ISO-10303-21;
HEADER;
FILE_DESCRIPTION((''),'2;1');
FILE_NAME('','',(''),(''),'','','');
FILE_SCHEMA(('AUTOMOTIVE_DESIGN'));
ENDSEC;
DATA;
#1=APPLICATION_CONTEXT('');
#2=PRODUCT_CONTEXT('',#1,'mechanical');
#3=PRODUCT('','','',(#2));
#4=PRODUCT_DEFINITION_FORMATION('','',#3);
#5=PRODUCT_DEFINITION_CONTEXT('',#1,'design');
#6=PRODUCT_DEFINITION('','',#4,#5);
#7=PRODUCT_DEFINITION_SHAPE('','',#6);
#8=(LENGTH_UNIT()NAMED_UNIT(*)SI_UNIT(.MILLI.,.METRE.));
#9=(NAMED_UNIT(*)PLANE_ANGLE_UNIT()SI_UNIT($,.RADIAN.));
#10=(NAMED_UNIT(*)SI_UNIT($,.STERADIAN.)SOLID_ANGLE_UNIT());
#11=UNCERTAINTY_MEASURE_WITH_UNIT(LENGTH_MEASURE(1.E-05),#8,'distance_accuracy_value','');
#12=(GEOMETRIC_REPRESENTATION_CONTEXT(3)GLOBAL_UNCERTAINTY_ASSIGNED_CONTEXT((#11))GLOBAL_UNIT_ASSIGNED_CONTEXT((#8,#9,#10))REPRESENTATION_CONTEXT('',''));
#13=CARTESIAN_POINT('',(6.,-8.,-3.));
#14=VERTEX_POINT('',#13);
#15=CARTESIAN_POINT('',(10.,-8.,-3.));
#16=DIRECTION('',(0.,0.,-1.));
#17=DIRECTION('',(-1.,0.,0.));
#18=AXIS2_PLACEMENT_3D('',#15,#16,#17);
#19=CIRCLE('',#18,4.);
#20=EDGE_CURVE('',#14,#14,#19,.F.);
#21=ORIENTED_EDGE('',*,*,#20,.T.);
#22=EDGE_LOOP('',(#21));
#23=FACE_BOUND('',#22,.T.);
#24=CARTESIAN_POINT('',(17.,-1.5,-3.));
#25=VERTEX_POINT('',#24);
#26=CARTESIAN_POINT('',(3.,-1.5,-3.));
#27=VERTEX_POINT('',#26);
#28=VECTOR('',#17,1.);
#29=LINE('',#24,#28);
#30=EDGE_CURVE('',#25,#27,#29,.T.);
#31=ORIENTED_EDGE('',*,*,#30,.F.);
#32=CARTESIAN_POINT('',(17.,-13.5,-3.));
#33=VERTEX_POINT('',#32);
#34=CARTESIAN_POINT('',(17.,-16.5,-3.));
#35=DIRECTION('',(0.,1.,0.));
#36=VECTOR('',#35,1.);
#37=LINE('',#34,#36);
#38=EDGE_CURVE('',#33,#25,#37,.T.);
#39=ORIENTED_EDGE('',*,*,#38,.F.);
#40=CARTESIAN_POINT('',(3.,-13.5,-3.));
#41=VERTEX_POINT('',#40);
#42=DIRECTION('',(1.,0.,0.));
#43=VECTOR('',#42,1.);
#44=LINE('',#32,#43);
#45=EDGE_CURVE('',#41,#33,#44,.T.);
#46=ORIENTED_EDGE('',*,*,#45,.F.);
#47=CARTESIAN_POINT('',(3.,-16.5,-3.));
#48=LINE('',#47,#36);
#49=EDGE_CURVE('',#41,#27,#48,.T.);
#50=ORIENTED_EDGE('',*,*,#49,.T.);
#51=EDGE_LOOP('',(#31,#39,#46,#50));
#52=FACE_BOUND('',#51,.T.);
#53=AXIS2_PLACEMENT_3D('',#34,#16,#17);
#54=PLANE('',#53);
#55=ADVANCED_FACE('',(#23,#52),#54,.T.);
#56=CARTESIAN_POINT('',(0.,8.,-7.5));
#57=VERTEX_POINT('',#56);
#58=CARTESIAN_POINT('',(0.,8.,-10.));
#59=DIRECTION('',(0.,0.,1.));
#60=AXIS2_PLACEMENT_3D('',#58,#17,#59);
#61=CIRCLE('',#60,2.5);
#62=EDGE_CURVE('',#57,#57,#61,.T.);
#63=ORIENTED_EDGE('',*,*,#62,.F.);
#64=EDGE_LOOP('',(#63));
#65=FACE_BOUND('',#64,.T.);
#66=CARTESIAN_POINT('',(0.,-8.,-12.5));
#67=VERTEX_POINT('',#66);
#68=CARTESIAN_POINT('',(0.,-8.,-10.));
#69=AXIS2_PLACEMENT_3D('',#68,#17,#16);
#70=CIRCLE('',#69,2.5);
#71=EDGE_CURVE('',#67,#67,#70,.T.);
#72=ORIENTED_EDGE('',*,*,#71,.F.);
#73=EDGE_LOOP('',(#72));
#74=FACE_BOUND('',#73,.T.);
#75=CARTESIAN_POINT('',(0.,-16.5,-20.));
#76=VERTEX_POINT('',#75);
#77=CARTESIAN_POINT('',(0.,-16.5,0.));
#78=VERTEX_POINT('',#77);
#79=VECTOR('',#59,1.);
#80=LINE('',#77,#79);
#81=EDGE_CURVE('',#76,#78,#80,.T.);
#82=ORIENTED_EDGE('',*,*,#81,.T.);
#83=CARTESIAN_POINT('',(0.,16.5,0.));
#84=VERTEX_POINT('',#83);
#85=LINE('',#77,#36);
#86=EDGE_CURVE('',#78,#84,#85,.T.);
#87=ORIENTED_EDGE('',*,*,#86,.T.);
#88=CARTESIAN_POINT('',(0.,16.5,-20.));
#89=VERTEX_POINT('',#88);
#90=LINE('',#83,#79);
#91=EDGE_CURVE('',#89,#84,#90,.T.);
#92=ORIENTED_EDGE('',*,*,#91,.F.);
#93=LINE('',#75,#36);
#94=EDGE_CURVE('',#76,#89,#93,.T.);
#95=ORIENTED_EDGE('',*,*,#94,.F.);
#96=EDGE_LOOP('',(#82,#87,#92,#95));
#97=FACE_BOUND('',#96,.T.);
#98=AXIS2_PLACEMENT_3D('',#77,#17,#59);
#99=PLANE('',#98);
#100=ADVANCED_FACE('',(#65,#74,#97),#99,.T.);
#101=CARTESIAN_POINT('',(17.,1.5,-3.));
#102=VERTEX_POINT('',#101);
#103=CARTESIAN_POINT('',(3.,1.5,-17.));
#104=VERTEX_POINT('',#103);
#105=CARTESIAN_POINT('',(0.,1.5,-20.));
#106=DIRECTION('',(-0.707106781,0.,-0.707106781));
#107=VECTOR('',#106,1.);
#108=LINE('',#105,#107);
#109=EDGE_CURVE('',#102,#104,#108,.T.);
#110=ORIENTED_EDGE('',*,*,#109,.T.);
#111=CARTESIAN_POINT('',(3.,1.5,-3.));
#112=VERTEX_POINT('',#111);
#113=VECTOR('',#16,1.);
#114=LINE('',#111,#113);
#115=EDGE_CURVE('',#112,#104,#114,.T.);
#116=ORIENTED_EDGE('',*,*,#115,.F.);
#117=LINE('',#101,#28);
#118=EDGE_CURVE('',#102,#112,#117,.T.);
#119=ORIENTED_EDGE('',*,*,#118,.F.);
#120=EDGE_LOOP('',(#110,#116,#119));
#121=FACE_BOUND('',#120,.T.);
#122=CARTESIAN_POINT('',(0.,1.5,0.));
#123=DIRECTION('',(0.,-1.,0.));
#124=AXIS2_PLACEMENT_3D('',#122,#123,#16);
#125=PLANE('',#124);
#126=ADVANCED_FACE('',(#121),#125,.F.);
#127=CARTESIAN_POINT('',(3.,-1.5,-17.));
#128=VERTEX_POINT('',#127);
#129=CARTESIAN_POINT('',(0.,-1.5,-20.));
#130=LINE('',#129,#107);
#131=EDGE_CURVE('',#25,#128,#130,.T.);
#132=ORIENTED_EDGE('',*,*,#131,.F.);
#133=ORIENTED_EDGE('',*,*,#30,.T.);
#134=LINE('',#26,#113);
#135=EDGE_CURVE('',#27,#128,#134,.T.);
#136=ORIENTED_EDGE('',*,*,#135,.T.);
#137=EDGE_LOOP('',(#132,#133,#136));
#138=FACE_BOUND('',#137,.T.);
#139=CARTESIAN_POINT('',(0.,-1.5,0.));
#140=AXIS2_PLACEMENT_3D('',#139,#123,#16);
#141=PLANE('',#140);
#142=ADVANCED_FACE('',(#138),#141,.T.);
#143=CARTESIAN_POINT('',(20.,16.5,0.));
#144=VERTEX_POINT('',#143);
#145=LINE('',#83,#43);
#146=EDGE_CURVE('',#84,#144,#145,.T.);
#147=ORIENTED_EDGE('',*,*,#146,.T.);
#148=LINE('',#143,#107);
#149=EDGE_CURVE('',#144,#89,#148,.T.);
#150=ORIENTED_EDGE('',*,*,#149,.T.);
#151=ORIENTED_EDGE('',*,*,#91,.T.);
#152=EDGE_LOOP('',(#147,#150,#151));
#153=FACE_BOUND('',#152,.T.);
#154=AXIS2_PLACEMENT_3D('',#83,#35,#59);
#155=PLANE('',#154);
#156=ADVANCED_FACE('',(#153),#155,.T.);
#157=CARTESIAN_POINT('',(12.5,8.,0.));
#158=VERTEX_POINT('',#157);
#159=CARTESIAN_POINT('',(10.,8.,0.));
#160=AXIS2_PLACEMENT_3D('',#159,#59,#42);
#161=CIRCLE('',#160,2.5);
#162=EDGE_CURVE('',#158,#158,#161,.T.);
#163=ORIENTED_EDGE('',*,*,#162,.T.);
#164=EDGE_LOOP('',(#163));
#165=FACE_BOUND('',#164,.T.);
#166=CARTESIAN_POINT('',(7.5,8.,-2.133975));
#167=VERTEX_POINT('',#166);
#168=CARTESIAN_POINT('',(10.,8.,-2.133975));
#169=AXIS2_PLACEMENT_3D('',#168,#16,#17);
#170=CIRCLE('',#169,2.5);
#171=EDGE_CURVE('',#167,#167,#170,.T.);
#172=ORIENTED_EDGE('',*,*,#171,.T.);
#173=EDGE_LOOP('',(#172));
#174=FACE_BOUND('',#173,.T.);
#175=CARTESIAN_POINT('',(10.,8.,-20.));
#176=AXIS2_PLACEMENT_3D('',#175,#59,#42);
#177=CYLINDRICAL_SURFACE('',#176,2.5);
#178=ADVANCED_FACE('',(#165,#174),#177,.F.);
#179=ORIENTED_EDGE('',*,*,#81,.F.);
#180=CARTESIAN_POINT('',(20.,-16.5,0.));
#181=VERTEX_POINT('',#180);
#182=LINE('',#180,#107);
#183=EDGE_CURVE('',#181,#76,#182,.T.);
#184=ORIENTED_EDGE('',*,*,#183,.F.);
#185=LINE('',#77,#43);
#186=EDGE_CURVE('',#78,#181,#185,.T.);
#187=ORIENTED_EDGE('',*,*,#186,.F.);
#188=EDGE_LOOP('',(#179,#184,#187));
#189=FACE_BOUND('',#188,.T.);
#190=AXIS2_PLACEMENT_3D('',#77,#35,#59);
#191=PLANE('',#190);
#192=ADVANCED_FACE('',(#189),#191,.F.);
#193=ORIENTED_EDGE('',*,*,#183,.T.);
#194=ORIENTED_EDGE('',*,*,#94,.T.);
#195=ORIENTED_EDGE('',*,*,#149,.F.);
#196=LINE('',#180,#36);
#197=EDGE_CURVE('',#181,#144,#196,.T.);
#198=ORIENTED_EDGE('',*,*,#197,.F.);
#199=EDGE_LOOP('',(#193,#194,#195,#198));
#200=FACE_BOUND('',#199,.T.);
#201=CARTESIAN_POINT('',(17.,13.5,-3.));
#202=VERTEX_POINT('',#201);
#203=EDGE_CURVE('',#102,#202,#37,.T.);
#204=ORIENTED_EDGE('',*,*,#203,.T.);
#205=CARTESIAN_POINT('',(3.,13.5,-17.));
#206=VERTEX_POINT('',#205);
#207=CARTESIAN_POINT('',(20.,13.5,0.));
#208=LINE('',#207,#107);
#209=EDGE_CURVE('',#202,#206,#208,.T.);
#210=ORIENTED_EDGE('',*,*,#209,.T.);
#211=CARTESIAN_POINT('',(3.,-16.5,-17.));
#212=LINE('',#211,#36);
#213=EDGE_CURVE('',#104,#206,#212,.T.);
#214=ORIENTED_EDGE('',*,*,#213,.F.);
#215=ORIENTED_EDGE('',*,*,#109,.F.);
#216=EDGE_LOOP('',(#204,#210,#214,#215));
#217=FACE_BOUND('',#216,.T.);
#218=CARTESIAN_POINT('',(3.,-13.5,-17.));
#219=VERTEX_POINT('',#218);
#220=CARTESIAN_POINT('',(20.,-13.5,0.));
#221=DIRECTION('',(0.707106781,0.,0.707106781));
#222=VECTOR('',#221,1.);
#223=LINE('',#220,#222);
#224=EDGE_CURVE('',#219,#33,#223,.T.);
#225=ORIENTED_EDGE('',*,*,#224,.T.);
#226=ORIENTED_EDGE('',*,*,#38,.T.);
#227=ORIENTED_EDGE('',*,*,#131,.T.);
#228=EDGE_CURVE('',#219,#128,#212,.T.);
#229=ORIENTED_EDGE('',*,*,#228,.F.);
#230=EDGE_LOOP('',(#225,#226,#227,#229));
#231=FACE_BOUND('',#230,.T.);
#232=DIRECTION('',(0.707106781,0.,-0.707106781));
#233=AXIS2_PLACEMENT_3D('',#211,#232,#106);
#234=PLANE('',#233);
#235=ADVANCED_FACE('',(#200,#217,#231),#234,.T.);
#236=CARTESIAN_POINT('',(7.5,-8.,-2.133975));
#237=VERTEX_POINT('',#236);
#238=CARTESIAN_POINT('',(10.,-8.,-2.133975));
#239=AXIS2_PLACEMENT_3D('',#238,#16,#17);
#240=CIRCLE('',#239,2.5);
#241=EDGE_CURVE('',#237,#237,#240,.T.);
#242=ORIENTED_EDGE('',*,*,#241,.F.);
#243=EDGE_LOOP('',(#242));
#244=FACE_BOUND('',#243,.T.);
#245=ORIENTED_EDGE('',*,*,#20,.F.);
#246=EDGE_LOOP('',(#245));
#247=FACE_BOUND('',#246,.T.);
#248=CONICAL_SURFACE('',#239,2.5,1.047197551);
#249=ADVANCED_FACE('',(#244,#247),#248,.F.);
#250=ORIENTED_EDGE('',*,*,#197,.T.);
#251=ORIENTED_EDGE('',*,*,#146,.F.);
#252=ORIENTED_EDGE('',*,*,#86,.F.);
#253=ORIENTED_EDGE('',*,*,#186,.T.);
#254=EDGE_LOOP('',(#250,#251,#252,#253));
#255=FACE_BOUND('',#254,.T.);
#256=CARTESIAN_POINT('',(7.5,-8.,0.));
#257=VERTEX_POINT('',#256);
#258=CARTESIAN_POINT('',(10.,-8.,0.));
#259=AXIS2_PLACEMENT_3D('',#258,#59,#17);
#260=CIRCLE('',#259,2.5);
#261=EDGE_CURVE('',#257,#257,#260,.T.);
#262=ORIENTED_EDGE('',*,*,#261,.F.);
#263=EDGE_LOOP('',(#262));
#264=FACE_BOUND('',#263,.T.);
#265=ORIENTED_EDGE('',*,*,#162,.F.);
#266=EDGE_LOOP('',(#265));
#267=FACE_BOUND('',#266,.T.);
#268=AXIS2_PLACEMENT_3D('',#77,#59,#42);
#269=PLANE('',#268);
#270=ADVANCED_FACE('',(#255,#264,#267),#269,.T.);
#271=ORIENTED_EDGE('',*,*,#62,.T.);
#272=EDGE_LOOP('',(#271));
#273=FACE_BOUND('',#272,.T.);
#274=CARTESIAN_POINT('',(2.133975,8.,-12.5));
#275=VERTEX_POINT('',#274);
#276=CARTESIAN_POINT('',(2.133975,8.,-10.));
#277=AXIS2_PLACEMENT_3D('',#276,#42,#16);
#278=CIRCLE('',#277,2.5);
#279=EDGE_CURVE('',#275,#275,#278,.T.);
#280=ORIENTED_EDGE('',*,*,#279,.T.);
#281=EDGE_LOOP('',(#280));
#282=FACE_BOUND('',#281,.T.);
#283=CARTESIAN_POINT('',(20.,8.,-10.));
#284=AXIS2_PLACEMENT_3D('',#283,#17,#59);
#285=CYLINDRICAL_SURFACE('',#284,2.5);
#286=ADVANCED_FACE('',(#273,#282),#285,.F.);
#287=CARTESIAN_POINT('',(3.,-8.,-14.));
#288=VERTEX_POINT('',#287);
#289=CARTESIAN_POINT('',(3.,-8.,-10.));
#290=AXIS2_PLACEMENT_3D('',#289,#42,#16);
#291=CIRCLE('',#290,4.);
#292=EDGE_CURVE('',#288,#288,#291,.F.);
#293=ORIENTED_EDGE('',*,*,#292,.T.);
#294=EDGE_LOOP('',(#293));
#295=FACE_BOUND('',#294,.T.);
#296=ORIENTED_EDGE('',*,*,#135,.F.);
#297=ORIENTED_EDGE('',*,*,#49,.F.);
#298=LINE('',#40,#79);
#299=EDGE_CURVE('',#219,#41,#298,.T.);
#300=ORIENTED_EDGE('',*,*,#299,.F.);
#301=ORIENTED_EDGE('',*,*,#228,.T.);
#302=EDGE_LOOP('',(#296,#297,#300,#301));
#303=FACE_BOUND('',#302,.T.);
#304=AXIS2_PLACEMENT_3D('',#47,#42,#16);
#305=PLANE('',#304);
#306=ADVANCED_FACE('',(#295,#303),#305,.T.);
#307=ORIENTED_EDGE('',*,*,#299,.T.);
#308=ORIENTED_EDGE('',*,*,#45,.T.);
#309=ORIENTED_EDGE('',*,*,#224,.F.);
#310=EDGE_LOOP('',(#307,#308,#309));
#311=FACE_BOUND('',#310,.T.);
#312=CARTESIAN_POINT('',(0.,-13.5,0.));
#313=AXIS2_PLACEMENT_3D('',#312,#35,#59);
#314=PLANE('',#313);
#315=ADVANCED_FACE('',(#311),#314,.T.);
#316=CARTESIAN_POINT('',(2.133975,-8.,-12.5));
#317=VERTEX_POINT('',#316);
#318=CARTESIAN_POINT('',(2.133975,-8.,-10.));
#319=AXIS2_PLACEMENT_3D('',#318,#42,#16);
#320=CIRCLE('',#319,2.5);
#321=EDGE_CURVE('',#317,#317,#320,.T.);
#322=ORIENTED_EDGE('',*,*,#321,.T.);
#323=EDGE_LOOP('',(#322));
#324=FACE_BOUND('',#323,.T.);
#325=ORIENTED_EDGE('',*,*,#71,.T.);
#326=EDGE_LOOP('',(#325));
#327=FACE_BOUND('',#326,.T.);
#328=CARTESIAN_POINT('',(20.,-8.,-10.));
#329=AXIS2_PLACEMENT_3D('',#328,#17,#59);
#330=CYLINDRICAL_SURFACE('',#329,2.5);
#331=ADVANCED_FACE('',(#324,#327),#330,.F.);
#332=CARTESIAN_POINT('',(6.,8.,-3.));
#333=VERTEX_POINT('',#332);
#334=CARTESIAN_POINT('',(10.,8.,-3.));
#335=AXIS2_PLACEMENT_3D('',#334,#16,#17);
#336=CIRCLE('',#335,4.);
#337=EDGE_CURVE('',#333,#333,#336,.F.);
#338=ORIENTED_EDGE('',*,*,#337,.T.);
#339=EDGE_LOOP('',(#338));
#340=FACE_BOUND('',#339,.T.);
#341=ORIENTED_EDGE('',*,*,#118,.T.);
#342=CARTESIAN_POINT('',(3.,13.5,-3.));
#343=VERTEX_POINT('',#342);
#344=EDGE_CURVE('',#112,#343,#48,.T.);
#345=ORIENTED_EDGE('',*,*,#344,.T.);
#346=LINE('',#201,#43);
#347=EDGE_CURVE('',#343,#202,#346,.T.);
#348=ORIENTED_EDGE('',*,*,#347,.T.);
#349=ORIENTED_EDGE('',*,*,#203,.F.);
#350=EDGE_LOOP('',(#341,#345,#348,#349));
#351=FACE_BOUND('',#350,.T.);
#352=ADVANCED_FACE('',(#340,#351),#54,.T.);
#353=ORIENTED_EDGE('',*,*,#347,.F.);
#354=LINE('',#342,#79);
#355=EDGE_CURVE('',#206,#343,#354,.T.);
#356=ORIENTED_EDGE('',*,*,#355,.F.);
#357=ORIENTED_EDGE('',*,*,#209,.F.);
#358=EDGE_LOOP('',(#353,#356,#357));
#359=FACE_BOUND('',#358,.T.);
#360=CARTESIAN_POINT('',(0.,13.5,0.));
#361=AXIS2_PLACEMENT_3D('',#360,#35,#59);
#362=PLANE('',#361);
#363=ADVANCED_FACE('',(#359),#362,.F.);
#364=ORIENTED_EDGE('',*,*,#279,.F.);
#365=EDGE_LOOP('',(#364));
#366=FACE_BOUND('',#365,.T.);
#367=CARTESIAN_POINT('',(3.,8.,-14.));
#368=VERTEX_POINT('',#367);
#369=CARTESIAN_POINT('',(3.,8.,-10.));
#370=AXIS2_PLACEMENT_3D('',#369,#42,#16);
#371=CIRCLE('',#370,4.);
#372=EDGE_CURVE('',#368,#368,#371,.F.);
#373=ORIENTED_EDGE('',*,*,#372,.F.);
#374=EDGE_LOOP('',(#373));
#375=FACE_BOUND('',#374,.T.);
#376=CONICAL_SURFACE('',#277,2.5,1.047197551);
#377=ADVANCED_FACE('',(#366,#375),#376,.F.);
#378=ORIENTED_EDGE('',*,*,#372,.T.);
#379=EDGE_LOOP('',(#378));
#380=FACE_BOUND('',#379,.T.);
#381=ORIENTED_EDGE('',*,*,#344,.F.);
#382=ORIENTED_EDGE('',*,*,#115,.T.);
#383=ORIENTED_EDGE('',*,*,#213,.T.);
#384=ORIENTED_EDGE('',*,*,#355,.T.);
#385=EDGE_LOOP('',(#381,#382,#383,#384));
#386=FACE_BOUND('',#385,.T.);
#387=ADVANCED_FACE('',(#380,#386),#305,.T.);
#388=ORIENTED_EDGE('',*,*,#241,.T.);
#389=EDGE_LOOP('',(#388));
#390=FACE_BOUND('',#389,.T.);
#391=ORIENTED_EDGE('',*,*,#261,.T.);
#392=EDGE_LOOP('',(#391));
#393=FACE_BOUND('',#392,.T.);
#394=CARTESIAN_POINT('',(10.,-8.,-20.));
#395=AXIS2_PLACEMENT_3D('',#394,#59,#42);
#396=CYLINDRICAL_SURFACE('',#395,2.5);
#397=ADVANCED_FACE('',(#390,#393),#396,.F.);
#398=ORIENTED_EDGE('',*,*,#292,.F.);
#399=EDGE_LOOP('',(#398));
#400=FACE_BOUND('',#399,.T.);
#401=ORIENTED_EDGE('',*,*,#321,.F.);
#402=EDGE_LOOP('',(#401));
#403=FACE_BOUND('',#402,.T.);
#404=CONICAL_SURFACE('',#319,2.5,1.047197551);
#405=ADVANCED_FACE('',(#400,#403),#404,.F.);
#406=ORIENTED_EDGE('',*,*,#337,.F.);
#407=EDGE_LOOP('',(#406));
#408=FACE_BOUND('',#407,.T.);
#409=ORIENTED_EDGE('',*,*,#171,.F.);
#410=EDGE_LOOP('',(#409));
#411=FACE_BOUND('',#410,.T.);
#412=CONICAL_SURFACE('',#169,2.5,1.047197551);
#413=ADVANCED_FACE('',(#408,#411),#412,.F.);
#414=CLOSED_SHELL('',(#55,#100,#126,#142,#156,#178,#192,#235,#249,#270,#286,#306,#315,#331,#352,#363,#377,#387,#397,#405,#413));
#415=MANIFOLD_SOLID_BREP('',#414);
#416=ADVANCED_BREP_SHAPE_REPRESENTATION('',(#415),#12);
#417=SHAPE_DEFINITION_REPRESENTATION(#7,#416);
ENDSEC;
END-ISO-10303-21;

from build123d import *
from OCP.BRepFilletAPI import BRepFilletAPI_MakeChamfer

# Parameters (mm, degrees)
EXTRUDE_1_DEPTH      = 16.5
EXTRUDE_1_DEPTH_BACK = 16.5
EXTRUDE_2_DEPTH      = 3
EXTRUDE_3_DEPTH      = 3
EXTRUDE_4_DEPTH      = 1.5
EXTRUDE_4_DEPTH_BACK = 1.5
SKETCH_5_R           = 2.5
CUT_EXTRUDE_1_DEPTH  = 33.74522866
SKETCH_6_R           = 2.5
CUT_EXTRUDE_2_DEPTH  = 33.74522866
CHAMFER_1_SIZE       = 1.5
CHAMFER_1_SIZE2      = 0.866025404


with BuildPart() as part:
    # Эскиз1 → Бобышка-Вытянуть1 (new, two sides: drawn at the far end of the back side and taken through both)
    with BuildSketch(Plane(origin=(0, 0, 0), x_dir=(1, 0, 0), z_dir=(0, 1, 0)).offset(-EXTRUDE_1_DEPTH_BACK)):
        Polygon((0, 0), (0, 20), (3, 17), (3, 3), (17, 3), (20, 0), align=None)
    extrude(amount=EXTRUDE_1_DEPTH + EXTRUDE_1_DEPTH_BACK)

    # Эскиз2 → Бобышка-Вытянуть2 (add)
    with BuildSketch(Plane(origin=(0, 16.5, 0), x_dir=(1, 0, 0), z_dir=(0, 1, 0))):
        Polygon((0, 20), (0, 0), (20, 0), align=None)
    extrude(amount=-EXTRUDE_2_DEPTH)

    # Эскиз3 → Бобышка-Вытянуть3 (add)
    with BuildSketch(Plane(origin=(0, -16.5, 0), x_dir=(-1, 0, 0), z_dir=(0, -1, 0))):
        Polygon((0, 0), (-20, 0), (0, 20), align=None)
    extrude(amount=-EXTRUDE_3_DEPTH)

    # Эскиз4 → Бобышка-Вытянуть4 (add, two sides: drawn at the far end of the back side and taken through both)
    with BuildSketch(Plane(origin=(0, 0, 0), x_dir=(1, 0, 0), z_dir=(0, 1, 0)).offset(-EXTRUDE_4_DEPTH_BACK)):
        Polygon((20, 0), (0, 0), (0, 20), align=None)
    extrude(amount=EXTRUDE_4_DEPTH + EXTRUDE_4_DEPTH_BACK)

    # Эскиз5 → Вырез-Вытянуть1 (cut, through all)
    with BuildSketch(Plane.XY):
        with Locations((10, 8)):
            Circle(SKETCH_5_R)
        with Locations((10, -8)):
            Circle(SKETCH_5_R)
    extrude(amount=-CUT_EXTRUDE_1_DEPTH, mode=Mode.SUBTRACT)

    # Эскиз6 → Вырез-Вытянуть2 (cut, through all)
    with BuildSketch(Plane.ZY):
        with Locations((-10, 8)):
            Circle(SKETCH_6_R)
        with Locations((-10, -8)):
            Circle(SKETCH_6_R)
    extrude(amount=-CUT_EXTRUDE_2_DEPTH, mode=Mode.SUBTRACT)

    # Фаска1: one chamfer whose edges measure the first distance from different faces: ONE call of the kernel's chamfer builder (chamfer() names one face for all edges)
    chamfer_1_edges_1 = [part.edges().sort_by_distance(p)[0] for p in [
        (7.5, 8, -3),
    ]]
    chamfer_1_side_1 = [part.faces().sort_by_distance(p)[0] for p in [
        (3.184390889, 7.5, -3),
    ]]
    chamfer_1_edges_2 = [part.edges().sort_by_distance(p)[0] for p in [
        (7.5, -8, -3),
    ]]
    chamfer_1_side_2 = [part.faces().sort_by_distance(p)[0] for p in [
        (3.184390889, -7.5, -3),
    ]]
    chamfer_1_edges_3 = [part.edges().sort_by_distance(p)[0] for p in [
        (3, -8, -12.5),
    ]]
    chamfer_1_side_3 = [part.faces().sort_by_distance(p)[0] for p in [
        (3, -7.5, -16.815609111),
    ]]
    chamfer_1_edges_4 = [part.edges().sort_by_distance(p)[0] for p in [
        (3, 8, -12.5),
    ]]
    chamfer_1_side_4 = [part.faces().sort_by_distance(p)[0] for p in [
        (3, 7.5, -16.815609111),
    ]]
    chamfer_1 = BRepFilletAPI_MakeChamfer(part.part.solid().wrapped)
    for e in chamfer_1_edges_1:
        chamfer_1.Add(CHAMFER_1_SIZE, CHAMFER_1_SIZE2, e.wrapped, chamfer_1_side_1[0].wrapped)  # the first distance lies on this face
    for e in chamfer_1_edges_2:
        chamfer_1.Add(CHAMFER_1_SIZE, CHAMFER_1_SIZE2, e.wrapped, chamfer_1_side_2[0].wrapped)  # the first distance lies on this face
    for e in chamfer_1_edges_3:
        chamfer_1.Add(CHAMFER_1_SIZE, CHAMFER_1_SIZE2, e.wrapped, chamfer_1_side_3[0].wrapped)  # the first distance lies on this face
    for e in chamfer_1_edges_4:
        chamfer_1.Add(CHAMFER_1_SIZE, CHAMFER_1_SIZE2, e.wrapped, chamfer_1_side_4[0].wrapped)  # the first distance lies on this face
    add(Compound.cast(chamfer_1.Shape()), mode=Mode.REPLACE)


solid = part.part
